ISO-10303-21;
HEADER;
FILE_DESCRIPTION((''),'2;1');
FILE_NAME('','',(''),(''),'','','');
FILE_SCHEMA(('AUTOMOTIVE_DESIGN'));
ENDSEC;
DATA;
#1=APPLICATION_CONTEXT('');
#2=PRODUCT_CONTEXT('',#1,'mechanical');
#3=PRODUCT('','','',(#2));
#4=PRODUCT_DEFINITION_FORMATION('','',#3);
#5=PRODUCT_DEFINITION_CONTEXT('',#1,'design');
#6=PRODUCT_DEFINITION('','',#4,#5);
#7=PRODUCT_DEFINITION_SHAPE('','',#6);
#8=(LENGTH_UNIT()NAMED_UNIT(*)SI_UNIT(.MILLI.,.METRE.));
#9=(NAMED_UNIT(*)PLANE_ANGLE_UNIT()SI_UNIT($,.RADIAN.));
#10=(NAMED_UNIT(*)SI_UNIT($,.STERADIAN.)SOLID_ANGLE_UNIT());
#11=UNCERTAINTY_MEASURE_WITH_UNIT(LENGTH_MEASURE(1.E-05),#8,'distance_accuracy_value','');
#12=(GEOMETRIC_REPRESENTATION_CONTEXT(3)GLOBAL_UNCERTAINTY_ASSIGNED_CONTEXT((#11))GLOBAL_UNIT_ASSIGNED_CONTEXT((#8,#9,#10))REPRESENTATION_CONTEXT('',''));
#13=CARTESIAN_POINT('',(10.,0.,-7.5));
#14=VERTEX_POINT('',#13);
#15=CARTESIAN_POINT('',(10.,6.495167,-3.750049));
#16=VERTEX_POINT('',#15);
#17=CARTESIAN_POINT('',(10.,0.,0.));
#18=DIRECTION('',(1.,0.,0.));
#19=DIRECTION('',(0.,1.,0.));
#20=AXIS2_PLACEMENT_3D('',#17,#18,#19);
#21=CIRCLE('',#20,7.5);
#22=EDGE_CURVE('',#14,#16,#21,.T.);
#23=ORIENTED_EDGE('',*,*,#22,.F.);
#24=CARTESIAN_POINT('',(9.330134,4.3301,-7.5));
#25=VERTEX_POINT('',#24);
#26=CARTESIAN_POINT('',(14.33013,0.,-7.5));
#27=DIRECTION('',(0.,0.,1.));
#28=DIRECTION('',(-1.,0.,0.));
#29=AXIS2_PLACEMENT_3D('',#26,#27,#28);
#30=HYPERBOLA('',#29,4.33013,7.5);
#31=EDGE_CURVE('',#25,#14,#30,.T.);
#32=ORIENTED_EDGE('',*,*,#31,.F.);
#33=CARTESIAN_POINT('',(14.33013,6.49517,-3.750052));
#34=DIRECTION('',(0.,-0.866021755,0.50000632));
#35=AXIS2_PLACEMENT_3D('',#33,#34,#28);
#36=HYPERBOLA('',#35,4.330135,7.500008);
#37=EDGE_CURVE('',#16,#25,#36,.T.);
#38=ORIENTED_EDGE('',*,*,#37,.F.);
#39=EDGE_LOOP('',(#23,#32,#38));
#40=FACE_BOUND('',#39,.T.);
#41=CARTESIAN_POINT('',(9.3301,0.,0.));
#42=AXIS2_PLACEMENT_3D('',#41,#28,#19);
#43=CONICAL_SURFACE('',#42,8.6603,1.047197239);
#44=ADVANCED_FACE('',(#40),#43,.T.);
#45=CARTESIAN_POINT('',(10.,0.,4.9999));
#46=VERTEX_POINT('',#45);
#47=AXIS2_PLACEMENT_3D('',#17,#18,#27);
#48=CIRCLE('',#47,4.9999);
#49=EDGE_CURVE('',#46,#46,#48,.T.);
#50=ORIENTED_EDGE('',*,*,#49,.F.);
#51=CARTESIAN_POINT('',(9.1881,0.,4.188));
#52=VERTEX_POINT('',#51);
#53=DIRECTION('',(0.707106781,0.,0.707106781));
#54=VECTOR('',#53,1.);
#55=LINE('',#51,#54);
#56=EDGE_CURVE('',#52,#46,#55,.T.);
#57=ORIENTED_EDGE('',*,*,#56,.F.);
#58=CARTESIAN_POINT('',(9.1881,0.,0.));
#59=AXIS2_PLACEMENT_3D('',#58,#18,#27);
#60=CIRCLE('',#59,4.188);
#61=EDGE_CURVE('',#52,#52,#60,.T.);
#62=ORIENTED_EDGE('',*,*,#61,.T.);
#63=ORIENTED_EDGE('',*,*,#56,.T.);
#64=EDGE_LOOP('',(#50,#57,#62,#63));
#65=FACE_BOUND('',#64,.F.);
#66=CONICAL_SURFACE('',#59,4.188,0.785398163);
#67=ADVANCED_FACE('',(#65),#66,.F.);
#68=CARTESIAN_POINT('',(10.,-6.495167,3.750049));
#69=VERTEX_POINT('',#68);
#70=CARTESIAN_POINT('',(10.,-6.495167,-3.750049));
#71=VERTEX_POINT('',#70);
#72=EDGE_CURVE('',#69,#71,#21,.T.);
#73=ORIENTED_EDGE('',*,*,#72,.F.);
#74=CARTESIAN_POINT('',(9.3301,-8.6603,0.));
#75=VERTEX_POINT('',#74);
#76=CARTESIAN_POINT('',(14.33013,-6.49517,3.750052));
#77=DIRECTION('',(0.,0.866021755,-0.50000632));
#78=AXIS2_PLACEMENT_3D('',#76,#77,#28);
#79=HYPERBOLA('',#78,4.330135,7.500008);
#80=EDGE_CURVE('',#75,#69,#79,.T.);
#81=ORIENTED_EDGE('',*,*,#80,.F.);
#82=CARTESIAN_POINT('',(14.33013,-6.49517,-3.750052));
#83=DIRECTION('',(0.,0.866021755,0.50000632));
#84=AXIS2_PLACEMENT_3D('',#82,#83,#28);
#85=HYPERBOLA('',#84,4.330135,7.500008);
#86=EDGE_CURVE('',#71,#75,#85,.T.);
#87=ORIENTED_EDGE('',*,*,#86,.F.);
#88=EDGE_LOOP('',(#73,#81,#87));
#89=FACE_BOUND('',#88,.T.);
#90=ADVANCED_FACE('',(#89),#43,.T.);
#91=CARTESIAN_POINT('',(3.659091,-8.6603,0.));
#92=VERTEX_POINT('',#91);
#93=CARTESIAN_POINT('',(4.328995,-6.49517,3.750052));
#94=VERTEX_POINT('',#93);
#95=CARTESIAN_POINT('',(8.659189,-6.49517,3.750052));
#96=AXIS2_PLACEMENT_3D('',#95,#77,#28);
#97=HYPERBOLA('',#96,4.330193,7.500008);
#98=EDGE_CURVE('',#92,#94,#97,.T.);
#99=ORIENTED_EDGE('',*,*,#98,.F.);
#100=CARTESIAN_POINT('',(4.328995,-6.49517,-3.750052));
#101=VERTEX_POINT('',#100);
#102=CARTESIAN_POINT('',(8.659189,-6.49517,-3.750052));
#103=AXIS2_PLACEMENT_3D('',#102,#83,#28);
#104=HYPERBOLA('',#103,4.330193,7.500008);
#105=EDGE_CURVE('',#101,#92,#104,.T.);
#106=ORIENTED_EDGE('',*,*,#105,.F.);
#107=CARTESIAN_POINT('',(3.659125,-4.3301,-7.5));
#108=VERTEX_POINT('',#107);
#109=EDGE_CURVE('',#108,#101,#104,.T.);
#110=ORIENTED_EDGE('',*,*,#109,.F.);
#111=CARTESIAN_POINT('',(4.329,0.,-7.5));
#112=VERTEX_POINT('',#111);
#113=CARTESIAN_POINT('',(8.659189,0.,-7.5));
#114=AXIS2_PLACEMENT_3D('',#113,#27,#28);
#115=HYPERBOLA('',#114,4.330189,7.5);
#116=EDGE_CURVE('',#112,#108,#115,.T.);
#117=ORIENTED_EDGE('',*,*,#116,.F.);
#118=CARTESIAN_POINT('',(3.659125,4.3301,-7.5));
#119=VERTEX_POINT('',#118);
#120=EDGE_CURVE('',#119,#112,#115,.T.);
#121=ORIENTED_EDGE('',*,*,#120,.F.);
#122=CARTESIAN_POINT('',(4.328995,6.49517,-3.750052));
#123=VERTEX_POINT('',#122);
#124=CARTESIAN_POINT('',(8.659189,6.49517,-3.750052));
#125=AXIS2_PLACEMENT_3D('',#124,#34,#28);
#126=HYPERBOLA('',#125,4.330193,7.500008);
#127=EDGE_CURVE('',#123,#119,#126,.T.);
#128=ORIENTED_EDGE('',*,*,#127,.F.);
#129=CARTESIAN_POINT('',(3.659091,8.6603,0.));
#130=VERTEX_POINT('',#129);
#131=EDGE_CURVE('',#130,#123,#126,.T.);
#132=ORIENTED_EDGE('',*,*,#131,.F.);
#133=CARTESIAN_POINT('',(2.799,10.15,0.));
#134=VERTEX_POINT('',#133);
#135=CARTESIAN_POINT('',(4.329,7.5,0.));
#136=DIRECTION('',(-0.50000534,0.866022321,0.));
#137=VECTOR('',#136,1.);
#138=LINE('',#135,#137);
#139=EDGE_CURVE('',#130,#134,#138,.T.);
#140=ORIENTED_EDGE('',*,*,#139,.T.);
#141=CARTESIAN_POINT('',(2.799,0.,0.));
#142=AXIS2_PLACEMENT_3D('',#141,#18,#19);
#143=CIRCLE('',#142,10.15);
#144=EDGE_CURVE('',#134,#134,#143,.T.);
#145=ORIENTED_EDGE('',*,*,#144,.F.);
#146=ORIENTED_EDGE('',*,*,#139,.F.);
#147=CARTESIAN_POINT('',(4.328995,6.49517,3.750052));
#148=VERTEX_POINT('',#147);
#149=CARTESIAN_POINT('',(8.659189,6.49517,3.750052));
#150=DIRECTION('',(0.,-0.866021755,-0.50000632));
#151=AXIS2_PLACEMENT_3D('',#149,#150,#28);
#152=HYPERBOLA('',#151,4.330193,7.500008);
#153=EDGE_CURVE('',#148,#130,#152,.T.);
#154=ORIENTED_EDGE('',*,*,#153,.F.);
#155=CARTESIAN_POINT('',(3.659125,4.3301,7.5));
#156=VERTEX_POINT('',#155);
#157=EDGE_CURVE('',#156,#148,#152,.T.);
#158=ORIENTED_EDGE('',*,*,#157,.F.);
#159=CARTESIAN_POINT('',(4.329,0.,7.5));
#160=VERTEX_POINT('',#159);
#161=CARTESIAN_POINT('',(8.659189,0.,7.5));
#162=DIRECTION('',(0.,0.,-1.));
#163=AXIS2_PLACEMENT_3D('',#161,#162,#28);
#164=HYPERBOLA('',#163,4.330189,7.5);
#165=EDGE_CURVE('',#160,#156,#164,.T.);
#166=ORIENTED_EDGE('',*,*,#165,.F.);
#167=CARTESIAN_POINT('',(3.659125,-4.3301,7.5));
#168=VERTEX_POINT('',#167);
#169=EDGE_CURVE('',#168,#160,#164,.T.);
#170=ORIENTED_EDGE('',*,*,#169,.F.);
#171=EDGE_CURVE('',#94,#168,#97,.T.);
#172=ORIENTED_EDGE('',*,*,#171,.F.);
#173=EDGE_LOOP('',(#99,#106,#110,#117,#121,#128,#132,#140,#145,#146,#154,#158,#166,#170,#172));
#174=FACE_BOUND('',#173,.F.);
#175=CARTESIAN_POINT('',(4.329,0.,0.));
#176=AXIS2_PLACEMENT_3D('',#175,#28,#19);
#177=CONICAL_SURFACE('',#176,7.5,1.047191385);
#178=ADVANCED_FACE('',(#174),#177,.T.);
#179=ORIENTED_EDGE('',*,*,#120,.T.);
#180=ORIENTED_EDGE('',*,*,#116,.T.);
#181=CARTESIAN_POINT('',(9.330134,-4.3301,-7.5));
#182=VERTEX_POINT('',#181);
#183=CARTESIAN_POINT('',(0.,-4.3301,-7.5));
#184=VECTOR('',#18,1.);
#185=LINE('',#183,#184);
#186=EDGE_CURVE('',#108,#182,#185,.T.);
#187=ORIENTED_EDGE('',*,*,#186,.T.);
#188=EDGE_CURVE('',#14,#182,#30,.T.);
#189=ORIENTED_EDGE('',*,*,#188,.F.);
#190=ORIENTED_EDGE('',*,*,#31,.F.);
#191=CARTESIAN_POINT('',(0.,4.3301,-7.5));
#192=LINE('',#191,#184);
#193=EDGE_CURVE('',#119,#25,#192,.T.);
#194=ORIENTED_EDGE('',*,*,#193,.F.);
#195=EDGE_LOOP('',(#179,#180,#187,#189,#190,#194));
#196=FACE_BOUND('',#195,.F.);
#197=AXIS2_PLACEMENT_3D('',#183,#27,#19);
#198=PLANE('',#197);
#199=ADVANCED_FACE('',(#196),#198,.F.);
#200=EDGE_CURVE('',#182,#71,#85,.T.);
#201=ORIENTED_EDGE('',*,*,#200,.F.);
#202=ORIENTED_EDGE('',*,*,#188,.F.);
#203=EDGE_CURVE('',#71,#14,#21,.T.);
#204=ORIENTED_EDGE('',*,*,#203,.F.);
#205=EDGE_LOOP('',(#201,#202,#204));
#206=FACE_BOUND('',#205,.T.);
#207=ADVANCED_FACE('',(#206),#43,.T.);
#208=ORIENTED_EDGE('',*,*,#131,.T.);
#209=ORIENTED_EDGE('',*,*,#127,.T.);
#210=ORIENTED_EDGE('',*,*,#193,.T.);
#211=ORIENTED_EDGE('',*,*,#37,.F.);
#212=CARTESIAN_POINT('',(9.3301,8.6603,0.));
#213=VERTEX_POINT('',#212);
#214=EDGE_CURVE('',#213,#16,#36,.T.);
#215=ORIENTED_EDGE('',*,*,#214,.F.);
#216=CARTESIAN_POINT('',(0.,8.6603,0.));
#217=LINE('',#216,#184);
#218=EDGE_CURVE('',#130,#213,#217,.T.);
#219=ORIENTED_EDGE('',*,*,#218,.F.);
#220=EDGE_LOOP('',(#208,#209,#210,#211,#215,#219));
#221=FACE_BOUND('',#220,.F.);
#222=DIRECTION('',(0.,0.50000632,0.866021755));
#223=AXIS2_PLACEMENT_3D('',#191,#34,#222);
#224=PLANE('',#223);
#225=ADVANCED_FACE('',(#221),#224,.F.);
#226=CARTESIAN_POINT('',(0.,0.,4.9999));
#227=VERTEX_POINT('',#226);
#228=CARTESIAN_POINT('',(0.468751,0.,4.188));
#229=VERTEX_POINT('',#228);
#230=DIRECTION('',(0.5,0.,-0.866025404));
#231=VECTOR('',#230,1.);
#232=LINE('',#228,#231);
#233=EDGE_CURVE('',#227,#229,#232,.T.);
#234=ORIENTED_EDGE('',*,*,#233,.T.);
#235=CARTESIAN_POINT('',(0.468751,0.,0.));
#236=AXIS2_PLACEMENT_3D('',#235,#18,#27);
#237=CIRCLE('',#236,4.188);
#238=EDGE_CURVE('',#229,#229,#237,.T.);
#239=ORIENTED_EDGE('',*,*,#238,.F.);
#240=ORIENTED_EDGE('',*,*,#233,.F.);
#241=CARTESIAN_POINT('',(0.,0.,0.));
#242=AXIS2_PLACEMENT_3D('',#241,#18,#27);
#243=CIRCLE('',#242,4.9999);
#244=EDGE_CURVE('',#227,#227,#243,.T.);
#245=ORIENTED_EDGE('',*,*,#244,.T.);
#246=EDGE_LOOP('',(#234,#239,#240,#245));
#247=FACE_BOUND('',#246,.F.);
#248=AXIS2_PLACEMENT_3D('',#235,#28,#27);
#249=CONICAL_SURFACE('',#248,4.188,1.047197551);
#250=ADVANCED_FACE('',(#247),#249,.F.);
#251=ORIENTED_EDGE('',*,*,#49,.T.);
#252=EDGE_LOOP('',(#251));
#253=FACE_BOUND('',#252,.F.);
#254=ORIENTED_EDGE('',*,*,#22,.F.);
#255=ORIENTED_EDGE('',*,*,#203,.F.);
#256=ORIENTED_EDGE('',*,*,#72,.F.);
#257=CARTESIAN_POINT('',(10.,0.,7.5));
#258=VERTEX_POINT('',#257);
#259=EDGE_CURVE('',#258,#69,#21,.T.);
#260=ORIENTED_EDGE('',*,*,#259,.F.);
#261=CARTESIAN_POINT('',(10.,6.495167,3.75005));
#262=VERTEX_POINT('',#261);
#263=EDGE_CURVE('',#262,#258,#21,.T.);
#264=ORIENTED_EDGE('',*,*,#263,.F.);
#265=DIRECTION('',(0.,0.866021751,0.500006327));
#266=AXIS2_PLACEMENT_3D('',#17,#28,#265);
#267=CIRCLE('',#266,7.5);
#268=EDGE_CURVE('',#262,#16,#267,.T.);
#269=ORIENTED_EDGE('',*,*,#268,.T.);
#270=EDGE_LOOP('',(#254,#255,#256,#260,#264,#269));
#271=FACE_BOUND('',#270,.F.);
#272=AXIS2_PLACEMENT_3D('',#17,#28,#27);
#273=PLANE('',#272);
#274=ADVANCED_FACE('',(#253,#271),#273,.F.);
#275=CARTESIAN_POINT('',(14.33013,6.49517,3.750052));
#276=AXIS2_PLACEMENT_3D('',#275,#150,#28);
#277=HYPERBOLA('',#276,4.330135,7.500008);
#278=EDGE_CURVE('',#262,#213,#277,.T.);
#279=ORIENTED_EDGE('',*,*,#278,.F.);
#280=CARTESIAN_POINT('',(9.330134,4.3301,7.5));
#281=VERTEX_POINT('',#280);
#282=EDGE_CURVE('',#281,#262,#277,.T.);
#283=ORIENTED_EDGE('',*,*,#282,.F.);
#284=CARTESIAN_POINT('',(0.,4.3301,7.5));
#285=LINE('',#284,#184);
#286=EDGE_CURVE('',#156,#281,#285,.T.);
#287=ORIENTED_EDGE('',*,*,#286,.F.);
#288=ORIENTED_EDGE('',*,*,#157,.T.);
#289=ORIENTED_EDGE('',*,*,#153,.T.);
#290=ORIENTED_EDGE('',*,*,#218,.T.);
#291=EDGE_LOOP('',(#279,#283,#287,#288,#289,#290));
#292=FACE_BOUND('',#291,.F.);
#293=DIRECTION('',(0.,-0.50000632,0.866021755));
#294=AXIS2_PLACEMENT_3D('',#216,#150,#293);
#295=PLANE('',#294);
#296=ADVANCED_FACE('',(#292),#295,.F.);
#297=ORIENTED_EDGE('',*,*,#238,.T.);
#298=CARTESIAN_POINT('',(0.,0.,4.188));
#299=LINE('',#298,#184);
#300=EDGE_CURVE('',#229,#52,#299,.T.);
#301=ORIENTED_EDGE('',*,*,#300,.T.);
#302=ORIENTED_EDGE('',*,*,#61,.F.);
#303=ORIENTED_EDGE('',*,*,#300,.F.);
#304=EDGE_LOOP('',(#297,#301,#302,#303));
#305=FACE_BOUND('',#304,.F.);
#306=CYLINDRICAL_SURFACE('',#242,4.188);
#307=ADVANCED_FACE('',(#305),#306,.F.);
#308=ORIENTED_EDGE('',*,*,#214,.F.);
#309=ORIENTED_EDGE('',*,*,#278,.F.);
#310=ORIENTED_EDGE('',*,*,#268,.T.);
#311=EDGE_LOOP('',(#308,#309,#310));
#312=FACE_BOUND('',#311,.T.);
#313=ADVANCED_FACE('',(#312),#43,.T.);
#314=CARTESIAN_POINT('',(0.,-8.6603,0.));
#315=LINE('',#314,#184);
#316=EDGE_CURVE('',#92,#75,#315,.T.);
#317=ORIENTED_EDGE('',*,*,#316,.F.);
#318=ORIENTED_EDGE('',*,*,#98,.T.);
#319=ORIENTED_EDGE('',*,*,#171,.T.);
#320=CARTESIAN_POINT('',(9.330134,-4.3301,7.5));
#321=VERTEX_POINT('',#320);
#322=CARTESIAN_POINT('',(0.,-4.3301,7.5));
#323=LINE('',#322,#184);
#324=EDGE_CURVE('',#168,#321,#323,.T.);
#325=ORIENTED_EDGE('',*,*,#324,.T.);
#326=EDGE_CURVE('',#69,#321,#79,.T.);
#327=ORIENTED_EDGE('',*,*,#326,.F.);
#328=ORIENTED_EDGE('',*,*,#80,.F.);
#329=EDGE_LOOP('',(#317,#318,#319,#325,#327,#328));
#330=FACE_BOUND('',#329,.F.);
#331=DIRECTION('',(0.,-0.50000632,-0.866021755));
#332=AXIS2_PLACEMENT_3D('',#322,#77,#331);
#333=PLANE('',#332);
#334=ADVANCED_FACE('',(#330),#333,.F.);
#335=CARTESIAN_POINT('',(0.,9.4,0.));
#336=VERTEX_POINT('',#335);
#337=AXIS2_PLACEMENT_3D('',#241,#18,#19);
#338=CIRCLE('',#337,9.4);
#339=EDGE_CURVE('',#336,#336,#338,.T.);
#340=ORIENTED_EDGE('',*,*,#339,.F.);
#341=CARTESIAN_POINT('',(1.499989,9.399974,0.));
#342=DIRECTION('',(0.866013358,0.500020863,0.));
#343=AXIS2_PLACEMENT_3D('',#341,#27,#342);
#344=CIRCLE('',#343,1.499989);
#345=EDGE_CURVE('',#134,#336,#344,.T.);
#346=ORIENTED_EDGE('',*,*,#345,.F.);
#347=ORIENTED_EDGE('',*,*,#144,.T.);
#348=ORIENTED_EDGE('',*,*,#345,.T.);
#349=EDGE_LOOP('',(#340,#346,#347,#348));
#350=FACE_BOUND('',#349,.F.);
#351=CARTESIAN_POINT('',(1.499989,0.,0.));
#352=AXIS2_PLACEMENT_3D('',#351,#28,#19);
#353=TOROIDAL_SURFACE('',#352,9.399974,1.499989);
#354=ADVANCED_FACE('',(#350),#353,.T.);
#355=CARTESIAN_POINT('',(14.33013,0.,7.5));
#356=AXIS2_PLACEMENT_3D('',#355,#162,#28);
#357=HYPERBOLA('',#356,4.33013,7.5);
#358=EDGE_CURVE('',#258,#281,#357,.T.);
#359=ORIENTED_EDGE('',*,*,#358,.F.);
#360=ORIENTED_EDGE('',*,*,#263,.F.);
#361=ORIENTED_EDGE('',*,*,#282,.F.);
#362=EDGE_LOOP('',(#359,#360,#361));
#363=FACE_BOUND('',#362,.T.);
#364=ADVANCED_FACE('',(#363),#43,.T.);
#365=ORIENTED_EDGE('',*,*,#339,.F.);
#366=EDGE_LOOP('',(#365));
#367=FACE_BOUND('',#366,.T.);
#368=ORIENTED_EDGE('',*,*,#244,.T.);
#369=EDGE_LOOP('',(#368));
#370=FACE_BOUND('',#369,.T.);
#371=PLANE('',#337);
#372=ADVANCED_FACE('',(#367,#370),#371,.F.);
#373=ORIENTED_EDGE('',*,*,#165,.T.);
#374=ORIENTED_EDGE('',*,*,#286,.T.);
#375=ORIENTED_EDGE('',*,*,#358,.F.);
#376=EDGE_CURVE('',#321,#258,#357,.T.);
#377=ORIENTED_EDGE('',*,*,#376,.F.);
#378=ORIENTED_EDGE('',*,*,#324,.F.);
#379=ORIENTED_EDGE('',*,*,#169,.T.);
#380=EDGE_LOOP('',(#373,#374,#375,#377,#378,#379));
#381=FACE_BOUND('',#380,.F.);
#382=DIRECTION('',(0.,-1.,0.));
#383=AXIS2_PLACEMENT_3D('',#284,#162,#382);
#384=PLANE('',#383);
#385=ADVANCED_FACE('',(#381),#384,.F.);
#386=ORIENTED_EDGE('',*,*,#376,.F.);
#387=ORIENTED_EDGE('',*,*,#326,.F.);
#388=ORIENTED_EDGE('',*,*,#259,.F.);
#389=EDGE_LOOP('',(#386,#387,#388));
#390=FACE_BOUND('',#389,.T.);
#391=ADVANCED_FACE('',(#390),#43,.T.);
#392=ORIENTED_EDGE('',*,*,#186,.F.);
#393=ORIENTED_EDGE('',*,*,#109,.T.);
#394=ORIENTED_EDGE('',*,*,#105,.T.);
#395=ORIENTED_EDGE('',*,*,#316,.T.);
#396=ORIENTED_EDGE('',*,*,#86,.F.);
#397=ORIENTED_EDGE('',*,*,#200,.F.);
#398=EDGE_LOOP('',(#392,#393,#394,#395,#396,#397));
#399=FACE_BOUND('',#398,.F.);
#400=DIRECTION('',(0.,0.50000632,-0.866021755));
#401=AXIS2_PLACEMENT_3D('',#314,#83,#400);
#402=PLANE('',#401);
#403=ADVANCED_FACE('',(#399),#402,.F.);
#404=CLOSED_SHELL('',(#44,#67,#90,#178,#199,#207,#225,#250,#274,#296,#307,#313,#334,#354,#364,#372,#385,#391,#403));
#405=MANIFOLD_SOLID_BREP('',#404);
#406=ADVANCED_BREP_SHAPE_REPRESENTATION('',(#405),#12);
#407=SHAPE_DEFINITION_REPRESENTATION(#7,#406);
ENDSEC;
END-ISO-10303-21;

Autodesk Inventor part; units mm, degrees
ref_plane "YZ Plane" through (0, 0, 0) normal (1, 0, 0) x (0, 1, 0)
ref_plane "XZ Plane" through (0, 0, 0) normal (0, 1, 0) x (-1, 0, 0)
sketch "Sketch1" plane through (0, 0, 0) normal (0, 0, 1) x (1, 0, 0)
  line L0 (-2.3453, 0) -> (12.0575, 0) projected
  line L1 (4.329, 7.5) -> (2.799, 10.15)
  line L2 (4.329, 7.5) -> (10, 7.5) construction
  line L3 (10, 7.5) -> (10, 0) construction
  arc A0 (2.799, 10.15) -> (0, 9.4) centre (1.5, 9.4) ccw
  line L4 (4.329, 7.5) -> (4.329, 0)
  line L5 (0, -2.2448) -> (0, 13.4687) projected
  point P0 (0, 0)
  dimension "d2" = 15
  dimension "d4" = 21.8
  dimension "d5" = 1.5
  dimension "d15" = 10
  dimension "d16" = 30
revolve "Ring" add sketch "Sketch1" angle 360 about axis through (-10, 0, 0) along (1, 0, 0)
sketch "Sketch2" plane through (0, 0, 0) normal (-1, 0, 0) x (0, 0, 1)
  circle A0 centre (0, 0) radius 4.9
  line L0 (-7.5, -4.3301) -> (-7.5, 4.3301)
  line L1 (-7.5, 4.3301) -> (0, 8.6603)
  line L2 (0, 8.6603) -> (7.5, 4.3301)
  line L3 (7.5, 4.3301) -> (7.5, -4.3301)
  line L4 (7.5, -4.3301) -> (0, -8.6603)
  line L5 (0, -8.6603) -> (-7.5, -4.3301)
  circle A1 centre (0, 0) radius 9.4 projected
  dimension "d6" = 17.3205
extrude "Body" add sketch "Sketch2" against normal blind 10 contours A0 | L0 L1 L2 L3 L4 L5
sketch "Sketch3" plane through (0, 0, 0) normal (0, 0, 1) x (1, 0, 0)
  line L0 (3.6591, 8.6603) -> (10, 8.6603) projected
  line L1 (10, 4.3301) -> (10, 8.6603) projected
  line L2 (0, -9.4) -> (0, 9.4) projected
  line L3 (-2, 0) -> (12, 0) projected
  line L4 (9.3301, 8.6603) -> (10, 7.5)
  dimension "d10" = 30
  dimension "d11" = 15
revolve "Chamfer1" cut sketch "Sketch3" angle 360 about axis through (-10, 0, 0) along (1, 0, 0)
sketch "Sketch4" plane through (0, 0, 0) normal (-1, 0, 0) x (0, 0, 1)
  circle A0 centre (0, 0) radius 9.4 projected
hole "Thread" at (0, 0, 0) direction (1, 0, 0) diameter 8.376 end through all thread size "M10x1.5" class "6H" standard "ANSI Metric M Profile"
chamfer "Chamfer2" distance 0.8119 angle 30 1 edges at (0, 0, -4.188) measured on face at (0, 7.5614, -0.9181)
ref_plane "Work Plane1" through (32.4111, 0, 0) normal (0, 0, -1) x (-1, 0, 0)
chamfer "Chamfer3" distance 0.8119 angle 45 1 edges at (10, 0, -4.188)
equation "\"d2\" = SW"
equation "\"d4\" = LADI"
equation "\"d5\" = PHH"
equation "\"d15\" = KOH"
equation "\"d16\" = KEWI"
equation "\"d6\" = 1.1547 * SW"
equation "\"d7\" = KOH"
equation "\"d10\" = ANG1"
equation "\"d11\" = SW0"
equation "\"d12\" = -0.5 * GD1 + 0.5 * NND"
equation "\"d46\" = -0.5 * GD1 + 0.5 * NND"
equation "\"d51\" = -0.5 * GD1 + 0.5 * NND"
equation "\"ANG1\" = 30deg"
equation "\"KEWI\" = 30deg"
equation "\"LADI\" = 21.8"
equation "\"SW\" = 15"
equation "\"PHH\" = RR"
equation "\"KOH\" = 10"
equation "\"SW0\" = SW"
equation "\"d1\" = LADI"
equation "\"d3\" = PHH"
equation "\"GUL\" = 0.541266 * PTC"
equation "\"RR\" = 1.5"
equation "\"TOA\" = 30deg"
equation "\"PTC\" = 1.5"
equation "\"RR1\" = 0.6"
equation "\"GAL\" = 0.541266 * PTC"
equation "\"E0\" = 1.155 * SW"
equation "\"GD1\" = 8.376202"
equation "\"NND\" = 10"
properties part number "ANSI B18.2.4.4M - M10 x 1,5" material "Steel, Mild"
